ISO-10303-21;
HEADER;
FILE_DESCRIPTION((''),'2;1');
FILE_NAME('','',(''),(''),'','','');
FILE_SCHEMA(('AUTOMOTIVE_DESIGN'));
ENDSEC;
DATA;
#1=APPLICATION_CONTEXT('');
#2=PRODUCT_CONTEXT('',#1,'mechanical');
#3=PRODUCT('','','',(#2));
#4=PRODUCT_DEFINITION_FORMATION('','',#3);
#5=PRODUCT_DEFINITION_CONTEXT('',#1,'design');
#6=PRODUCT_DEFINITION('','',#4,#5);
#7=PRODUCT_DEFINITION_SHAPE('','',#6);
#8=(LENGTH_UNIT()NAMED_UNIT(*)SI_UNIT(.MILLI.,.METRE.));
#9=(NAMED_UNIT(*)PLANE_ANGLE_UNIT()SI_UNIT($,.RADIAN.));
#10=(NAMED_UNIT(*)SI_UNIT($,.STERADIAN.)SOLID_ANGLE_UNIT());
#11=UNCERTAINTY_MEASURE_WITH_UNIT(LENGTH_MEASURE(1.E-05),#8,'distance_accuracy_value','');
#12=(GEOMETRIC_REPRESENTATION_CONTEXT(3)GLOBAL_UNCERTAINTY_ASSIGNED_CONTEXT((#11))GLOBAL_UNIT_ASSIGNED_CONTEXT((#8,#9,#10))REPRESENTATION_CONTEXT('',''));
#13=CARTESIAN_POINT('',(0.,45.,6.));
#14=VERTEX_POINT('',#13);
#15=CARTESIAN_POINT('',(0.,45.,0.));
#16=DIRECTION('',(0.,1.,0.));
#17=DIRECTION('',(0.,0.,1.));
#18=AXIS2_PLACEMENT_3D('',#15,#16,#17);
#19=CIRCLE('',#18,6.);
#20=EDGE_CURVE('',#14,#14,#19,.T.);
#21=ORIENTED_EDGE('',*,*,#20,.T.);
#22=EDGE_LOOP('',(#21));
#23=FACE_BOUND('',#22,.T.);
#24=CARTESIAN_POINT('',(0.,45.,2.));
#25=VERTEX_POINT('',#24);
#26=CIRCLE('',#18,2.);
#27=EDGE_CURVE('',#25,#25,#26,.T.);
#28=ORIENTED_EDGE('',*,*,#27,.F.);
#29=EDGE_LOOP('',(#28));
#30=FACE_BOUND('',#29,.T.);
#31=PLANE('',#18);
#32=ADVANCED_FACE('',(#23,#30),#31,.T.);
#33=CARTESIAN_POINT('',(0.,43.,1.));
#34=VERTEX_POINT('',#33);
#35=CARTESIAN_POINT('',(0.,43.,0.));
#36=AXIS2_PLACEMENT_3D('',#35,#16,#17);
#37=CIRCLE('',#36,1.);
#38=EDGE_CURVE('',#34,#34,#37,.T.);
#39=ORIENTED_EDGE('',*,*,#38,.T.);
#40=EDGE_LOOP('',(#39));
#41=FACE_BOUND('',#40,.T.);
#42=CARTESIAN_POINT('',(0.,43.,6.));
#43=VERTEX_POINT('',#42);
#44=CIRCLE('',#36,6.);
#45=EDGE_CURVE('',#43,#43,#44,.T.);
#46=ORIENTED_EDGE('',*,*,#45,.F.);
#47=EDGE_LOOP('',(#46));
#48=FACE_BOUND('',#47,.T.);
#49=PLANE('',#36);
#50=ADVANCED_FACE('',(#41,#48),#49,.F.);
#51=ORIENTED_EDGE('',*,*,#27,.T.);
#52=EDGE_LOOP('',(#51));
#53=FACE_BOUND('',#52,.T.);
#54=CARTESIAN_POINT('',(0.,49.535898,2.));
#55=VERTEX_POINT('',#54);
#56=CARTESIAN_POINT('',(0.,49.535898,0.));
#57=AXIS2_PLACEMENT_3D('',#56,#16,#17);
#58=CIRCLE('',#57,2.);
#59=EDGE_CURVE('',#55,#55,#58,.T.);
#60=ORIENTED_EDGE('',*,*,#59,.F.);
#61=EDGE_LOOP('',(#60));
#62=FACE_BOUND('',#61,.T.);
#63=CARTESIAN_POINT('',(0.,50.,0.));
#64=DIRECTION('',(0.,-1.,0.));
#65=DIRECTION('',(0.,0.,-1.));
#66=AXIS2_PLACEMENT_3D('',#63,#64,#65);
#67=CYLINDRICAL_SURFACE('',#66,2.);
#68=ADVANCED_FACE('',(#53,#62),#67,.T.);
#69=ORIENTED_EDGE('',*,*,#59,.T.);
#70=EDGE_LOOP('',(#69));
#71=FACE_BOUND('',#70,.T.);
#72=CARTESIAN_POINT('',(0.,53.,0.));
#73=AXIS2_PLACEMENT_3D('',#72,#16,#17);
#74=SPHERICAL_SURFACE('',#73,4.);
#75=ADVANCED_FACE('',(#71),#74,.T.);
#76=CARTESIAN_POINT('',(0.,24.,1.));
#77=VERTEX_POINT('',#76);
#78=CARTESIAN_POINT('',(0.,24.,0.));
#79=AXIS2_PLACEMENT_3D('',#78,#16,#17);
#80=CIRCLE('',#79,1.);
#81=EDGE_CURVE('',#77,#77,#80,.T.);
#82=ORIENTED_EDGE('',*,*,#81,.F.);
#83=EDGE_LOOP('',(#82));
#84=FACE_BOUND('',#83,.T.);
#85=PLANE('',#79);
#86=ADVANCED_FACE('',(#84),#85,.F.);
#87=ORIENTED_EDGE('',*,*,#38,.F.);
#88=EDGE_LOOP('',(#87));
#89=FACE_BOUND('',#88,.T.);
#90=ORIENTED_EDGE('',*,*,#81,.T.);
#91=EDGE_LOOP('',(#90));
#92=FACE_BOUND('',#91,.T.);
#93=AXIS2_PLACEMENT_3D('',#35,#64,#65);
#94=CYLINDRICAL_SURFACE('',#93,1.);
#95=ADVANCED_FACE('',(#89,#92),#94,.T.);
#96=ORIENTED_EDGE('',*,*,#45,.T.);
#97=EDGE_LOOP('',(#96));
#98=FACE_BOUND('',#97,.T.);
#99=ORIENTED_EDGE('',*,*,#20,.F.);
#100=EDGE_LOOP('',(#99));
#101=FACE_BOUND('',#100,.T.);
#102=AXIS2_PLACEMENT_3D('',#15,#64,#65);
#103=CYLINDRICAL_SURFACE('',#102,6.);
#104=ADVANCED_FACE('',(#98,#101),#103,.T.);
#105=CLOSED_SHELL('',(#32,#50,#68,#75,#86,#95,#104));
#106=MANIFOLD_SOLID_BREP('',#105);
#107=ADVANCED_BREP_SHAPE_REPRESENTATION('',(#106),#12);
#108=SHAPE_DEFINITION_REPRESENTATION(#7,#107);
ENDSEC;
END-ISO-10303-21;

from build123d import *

# Parameters (mm, degrees)
SKETCH7_R           = 1
BOSS_EXTRUDE1_DEPTH = 19
SKETCH8_R           = 6
BOSS_EXTRUDE2_DEPTH = 2
SKETCH9_R           = 2
BOSS_EXTRUDE3_DEPTH = 5


with BuildPart() as part:
    # Sketch7 → Boss-Extrude1 (new body)
    with BuildSketch(Plane(origin=(0, 24, 0), x_dir=(1, 0, 0), z_dir=(0, 1, 0))):
        with Locations(Location((0, 0, 0), (0, 0, 270))):
            Circle(SKETCH7_R)
    extrude(amount=BOSS_EXTRUDE1_DEPTH)

    # Sketch8 → Boss-Extrude2 (add)
    with BuildSketch(Plane(origin=(0, 43, 0), x_dir=(1, 0, 0), z_dir=(0, 1, 0))):
        with Locations(Location((0, 0, 0), (0, 0, 270))):
            Circle(SKETCH8_R)
    extrude(amount=BOSS_EXTRUDE2_DEPTH)

    # Sketch9 → Boss-Extrude3 (add)
    with BuildSketch(Plane(origin=(0, 45, 0), x_dir=(1, 0, 0), z_dir=(0, 1, 0))):
        with Locations(Location((0, 0, 0), (0, 0, 270))):
            Circle(SKETCH9_R)
    extrude(amount=BOSS_EXTRUDE3_DEPTH)

    # Sketch6 → Revolve1 (revolve)
    with BuildSketch(Plane(origin=(0, 53, 0), x_dir=(1, 0, 0), z_dir=(0, 1, 0))):
        with BuildLine():
            Line((-4, 0), (4, 0))
            ThreePointArc((4, 0), (0, 4), (-4, 0))
        make_face()
    revolve(axis=Axis((-4, 53, 0), (1, 0, 0)))


solid = part.part
